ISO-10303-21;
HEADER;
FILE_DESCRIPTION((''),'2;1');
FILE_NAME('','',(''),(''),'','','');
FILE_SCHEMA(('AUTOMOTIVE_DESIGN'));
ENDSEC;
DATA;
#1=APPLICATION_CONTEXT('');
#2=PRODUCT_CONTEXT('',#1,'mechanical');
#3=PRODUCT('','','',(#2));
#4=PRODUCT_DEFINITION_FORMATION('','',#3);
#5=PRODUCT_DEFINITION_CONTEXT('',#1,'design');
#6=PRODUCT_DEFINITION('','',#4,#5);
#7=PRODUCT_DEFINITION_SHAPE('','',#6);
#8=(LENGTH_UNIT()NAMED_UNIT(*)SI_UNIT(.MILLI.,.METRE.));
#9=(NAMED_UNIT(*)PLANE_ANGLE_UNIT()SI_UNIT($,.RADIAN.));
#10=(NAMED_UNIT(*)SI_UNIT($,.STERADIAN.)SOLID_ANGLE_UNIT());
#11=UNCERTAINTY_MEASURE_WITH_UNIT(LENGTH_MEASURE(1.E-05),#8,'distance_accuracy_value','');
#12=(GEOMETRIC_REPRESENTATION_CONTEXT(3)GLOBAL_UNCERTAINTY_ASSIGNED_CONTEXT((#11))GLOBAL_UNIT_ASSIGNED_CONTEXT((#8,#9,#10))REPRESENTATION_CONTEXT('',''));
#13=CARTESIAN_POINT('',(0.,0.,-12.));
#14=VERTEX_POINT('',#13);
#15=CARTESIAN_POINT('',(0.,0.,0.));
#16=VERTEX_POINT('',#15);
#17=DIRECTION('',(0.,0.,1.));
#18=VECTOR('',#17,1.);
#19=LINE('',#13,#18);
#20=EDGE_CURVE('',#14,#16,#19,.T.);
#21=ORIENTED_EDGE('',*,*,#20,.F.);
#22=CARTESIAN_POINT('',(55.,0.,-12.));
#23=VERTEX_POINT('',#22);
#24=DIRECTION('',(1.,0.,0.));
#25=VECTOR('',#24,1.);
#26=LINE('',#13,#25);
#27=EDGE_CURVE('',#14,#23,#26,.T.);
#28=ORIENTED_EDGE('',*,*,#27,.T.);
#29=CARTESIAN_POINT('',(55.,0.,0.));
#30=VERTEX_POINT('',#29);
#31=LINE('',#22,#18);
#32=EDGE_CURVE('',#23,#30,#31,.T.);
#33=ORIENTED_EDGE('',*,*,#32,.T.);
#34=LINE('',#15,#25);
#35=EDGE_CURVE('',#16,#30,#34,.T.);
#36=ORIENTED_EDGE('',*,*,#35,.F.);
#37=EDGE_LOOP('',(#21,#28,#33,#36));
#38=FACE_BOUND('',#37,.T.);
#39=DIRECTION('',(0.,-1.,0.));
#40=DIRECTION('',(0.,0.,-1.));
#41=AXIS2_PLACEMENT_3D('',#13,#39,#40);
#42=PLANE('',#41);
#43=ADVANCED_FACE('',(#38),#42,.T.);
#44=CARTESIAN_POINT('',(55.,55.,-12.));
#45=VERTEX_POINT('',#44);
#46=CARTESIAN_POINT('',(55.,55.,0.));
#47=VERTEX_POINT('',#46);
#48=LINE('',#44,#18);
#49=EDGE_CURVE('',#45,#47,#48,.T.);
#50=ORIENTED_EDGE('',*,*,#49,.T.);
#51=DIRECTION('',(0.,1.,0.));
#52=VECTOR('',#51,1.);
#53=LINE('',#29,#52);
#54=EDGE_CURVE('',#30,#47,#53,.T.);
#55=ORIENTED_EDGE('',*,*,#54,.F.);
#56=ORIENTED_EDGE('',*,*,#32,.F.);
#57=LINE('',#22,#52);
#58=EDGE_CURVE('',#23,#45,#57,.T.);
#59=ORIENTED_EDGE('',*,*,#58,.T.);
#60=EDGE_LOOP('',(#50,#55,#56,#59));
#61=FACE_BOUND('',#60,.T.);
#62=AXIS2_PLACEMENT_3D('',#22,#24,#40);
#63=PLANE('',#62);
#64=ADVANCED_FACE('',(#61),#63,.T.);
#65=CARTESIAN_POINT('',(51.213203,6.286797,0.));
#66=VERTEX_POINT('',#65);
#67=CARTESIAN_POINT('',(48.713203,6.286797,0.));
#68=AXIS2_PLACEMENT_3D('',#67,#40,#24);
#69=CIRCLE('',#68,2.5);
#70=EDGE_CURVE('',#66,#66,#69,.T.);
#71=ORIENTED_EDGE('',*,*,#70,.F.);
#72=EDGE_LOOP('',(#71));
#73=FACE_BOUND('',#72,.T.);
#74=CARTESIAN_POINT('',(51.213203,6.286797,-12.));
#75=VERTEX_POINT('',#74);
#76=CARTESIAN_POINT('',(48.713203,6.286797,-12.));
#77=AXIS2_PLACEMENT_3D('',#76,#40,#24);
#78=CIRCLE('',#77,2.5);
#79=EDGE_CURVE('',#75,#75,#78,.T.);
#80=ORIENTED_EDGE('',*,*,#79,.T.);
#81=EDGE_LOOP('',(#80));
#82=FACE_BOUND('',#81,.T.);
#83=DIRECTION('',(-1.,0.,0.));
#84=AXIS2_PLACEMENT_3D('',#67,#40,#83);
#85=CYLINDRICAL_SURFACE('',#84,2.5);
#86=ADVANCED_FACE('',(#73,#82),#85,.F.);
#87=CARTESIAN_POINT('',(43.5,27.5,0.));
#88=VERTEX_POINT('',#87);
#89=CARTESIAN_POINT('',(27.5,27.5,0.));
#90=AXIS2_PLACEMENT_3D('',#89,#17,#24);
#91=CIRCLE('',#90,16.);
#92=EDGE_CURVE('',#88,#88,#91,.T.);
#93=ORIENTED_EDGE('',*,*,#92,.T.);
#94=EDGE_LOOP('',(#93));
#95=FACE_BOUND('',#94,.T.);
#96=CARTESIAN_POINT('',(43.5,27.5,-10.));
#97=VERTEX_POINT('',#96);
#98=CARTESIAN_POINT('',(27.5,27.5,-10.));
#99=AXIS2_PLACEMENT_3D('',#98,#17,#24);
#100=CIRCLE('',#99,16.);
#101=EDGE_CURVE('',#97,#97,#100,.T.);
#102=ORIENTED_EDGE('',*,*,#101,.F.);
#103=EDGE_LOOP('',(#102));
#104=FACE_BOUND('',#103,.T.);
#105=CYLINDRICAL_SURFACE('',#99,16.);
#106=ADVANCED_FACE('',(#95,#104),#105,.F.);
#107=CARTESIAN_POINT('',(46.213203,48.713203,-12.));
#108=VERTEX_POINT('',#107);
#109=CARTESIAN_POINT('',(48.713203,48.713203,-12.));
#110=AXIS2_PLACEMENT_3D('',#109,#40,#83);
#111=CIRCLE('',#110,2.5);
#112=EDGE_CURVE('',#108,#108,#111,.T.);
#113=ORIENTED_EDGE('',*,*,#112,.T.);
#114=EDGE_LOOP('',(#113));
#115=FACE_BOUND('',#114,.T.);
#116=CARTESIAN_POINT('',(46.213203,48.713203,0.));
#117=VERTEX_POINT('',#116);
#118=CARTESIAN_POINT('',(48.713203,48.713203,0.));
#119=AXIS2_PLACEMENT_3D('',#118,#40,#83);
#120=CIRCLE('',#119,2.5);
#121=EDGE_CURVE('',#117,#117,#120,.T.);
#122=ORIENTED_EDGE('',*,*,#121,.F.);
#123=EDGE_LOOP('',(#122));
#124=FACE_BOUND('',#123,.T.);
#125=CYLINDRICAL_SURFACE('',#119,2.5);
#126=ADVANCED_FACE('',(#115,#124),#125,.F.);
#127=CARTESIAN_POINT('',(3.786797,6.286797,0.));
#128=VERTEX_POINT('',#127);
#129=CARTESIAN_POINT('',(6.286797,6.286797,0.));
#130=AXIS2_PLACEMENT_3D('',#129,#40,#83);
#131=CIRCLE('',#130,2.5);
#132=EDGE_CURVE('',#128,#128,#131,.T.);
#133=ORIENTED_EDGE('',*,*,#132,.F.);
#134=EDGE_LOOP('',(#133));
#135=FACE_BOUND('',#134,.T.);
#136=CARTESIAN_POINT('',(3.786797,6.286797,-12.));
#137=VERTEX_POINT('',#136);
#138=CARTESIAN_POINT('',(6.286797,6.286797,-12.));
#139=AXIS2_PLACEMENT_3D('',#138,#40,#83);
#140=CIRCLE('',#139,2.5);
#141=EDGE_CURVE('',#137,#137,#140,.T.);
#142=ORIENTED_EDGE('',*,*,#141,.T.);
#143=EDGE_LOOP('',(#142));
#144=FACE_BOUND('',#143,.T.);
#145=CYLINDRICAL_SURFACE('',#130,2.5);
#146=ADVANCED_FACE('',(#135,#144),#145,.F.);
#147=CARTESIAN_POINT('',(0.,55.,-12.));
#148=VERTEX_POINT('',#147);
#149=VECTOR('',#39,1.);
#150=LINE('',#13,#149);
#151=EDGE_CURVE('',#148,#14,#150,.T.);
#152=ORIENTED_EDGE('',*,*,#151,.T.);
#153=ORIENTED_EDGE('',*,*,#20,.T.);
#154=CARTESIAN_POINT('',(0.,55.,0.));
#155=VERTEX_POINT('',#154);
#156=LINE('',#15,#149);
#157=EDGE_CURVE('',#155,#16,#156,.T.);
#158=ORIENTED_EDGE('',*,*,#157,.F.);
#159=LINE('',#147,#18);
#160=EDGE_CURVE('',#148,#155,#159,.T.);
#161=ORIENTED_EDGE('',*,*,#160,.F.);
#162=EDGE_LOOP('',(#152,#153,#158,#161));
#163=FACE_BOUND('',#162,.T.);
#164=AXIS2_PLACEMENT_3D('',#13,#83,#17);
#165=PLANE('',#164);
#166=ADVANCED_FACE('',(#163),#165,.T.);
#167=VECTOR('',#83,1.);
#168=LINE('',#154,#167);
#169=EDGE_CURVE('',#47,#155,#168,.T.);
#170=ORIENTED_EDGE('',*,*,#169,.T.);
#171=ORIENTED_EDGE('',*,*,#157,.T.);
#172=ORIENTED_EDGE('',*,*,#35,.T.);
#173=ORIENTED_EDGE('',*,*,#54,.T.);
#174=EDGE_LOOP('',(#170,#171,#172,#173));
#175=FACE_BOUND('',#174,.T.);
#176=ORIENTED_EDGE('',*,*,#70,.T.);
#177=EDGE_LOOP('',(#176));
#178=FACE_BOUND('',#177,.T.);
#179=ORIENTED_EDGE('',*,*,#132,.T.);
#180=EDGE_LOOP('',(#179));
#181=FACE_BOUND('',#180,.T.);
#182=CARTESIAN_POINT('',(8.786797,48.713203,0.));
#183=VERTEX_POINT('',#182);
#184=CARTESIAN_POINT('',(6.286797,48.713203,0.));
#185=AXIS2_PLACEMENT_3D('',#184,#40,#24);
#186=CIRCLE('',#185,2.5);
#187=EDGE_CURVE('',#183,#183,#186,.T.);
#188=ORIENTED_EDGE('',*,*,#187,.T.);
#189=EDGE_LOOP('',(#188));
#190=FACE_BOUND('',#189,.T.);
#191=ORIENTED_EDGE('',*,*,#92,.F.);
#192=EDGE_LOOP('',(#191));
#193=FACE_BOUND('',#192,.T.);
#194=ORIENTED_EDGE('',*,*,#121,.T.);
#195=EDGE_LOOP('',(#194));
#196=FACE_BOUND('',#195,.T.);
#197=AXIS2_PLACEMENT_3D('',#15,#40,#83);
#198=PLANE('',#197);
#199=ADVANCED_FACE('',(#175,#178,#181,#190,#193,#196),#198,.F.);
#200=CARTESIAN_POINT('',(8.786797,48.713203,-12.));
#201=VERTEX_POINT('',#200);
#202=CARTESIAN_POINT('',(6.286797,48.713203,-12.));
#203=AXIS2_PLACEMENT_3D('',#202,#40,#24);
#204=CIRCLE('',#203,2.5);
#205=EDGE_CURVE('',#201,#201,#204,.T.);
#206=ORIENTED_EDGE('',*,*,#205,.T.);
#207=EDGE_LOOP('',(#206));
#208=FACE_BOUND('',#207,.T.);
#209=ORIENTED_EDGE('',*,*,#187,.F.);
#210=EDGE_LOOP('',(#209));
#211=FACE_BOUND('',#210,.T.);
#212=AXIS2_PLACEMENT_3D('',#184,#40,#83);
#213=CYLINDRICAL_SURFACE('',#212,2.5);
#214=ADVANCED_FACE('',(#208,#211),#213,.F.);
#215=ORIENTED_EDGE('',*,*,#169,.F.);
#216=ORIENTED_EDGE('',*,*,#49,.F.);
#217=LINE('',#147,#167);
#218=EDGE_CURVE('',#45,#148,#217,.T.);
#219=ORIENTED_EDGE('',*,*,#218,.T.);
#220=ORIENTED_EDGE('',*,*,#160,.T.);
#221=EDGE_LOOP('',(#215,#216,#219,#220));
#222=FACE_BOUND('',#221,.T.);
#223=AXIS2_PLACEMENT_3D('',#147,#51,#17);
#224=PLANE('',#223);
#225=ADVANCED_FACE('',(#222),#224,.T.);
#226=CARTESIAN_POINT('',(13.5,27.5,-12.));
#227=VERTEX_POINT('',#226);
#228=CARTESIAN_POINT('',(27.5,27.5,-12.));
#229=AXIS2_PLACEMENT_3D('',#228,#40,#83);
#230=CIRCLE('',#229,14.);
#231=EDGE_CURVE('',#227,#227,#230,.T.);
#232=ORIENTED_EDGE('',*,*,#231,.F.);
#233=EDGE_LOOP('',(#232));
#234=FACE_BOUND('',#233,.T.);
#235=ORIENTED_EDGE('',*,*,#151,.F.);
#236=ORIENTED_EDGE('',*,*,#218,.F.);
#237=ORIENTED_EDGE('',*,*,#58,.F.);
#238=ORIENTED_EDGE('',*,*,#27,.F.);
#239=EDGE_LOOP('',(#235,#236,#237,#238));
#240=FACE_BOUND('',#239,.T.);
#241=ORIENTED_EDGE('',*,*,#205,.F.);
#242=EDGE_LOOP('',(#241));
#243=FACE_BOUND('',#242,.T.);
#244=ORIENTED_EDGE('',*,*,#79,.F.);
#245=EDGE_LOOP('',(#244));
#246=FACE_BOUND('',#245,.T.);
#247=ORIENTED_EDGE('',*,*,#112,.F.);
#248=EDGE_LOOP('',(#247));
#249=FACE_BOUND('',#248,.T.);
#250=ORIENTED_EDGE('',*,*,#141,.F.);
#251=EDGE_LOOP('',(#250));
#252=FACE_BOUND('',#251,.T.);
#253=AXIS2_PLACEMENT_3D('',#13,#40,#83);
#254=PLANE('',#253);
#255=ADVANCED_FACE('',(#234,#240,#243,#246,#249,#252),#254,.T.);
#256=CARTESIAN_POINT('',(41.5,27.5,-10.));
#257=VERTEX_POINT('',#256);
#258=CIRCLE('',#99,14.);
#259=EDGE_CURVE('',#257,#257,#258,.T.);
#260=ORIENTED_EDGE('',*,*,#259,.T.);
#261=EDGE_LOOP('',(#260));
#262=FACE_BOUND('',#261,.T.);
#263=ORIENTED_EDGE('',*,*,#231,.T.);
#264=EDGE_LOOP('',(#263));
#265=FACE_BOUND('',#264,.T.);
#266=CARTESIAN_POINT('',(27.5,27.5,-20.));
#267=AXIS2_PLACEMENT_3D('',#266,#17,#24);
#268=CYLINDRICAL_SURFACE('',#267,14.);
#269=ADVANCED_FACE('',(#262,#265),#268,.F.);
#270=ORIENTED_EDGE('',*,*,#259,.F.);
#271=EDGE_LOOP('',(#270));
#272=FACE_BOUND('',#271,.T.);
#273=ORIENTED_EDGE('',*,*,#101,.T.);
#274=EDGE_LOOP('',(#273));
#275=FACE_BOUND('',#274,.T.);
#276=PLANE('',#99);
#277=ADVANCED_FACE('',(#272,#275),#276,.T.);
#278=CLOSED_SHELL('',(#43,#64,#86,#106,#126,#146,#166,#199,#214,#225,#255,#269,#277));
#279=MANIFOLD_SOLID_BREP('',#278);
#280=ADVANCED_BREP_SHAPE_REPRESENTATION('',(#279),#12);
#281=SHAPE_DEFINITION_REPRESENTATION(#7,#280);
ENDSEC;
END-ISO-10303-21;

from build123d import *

# Parameters (mm, degrees)
SCHIZZO1_W                   = 55
SCHIZZO1_H                   = 55
ESTRUSIONE_ESTRUSIONE1_DEPTH = 12
SCHIZZO2_R                   = 16
TAGLIO_ESTRUSIONE1_DEPTH     = 10
SCHIZZO3_R                   = 14
TAGLIO_ESTRUSIONE2_DEPTH     = 10
SCHIZZO4_R                   = 2.5
TAGLIO_ESTRUSIONE3_DEPTH     = 79.70196948


with BuildPart() as part:
    # Schizzo1 → Estrusione-Estrusione1 (new body)
    with BuildSketch(Plane.XY):
        with Locations((27.5, 27.5)):
            Rectangle(SCHIZZO1_W, SCHIZZO1_H)
    extrude(amount=-ESTRUSIONE_ESTRUSIONE1_DEPTH)

    # Schizzo2 → Taglio-Estrusione1 (cut)
    with BuildSketch(Plane.XY):
        with Locations((27.5, 27.5)):
            Circle(SCHIZZO2_R)
    extrude(amount=-TAGLIO_ESTRUSIONE1_DEPTH, mode=Mode.SUBTRACT)

    # Schizzo3 → Taglio-Estrusione2 (cut)
    with BuildSketch(Plane.XY.offset(-10)):
        with Locations((27.5, 27.5)):
            Circle(SCHIZZO3_R)
    extrude(amount=-TAGLIO_ESTRUSIONE2_DEPTH, mode=Mode.SUBTRACT)

    # Schizzo4 → Taglio-Estrusione3 (cut, through all)
    with BuildSketch(Plane(origin=(0, 0, -12), x_dir=(-1, 0, 0), z_dir=(0, 0, -1))):
        with Locations((-48.713203436, 48.713203436)):
            Circle(SCHIZZO4_R)
        with Locations(Location((-6.286796564, 48.713203436, 0), (0, 0, 180))):
            Circle(SCHIZZO4_R)
        with Locations(Location((-48.713203436, 6.286796564, 0), (0, 0, 180))):
            Circle(SCHIZZO4_R)
        with Locations((-6.286796564, 6.286796564)):
            Circle(SCHIZZO4_R)
    extrude(amount=-TAGLIO_ESTRUSIONE3_DEPTH, mode=Mode.SUBTRACT)


solid = part.part
